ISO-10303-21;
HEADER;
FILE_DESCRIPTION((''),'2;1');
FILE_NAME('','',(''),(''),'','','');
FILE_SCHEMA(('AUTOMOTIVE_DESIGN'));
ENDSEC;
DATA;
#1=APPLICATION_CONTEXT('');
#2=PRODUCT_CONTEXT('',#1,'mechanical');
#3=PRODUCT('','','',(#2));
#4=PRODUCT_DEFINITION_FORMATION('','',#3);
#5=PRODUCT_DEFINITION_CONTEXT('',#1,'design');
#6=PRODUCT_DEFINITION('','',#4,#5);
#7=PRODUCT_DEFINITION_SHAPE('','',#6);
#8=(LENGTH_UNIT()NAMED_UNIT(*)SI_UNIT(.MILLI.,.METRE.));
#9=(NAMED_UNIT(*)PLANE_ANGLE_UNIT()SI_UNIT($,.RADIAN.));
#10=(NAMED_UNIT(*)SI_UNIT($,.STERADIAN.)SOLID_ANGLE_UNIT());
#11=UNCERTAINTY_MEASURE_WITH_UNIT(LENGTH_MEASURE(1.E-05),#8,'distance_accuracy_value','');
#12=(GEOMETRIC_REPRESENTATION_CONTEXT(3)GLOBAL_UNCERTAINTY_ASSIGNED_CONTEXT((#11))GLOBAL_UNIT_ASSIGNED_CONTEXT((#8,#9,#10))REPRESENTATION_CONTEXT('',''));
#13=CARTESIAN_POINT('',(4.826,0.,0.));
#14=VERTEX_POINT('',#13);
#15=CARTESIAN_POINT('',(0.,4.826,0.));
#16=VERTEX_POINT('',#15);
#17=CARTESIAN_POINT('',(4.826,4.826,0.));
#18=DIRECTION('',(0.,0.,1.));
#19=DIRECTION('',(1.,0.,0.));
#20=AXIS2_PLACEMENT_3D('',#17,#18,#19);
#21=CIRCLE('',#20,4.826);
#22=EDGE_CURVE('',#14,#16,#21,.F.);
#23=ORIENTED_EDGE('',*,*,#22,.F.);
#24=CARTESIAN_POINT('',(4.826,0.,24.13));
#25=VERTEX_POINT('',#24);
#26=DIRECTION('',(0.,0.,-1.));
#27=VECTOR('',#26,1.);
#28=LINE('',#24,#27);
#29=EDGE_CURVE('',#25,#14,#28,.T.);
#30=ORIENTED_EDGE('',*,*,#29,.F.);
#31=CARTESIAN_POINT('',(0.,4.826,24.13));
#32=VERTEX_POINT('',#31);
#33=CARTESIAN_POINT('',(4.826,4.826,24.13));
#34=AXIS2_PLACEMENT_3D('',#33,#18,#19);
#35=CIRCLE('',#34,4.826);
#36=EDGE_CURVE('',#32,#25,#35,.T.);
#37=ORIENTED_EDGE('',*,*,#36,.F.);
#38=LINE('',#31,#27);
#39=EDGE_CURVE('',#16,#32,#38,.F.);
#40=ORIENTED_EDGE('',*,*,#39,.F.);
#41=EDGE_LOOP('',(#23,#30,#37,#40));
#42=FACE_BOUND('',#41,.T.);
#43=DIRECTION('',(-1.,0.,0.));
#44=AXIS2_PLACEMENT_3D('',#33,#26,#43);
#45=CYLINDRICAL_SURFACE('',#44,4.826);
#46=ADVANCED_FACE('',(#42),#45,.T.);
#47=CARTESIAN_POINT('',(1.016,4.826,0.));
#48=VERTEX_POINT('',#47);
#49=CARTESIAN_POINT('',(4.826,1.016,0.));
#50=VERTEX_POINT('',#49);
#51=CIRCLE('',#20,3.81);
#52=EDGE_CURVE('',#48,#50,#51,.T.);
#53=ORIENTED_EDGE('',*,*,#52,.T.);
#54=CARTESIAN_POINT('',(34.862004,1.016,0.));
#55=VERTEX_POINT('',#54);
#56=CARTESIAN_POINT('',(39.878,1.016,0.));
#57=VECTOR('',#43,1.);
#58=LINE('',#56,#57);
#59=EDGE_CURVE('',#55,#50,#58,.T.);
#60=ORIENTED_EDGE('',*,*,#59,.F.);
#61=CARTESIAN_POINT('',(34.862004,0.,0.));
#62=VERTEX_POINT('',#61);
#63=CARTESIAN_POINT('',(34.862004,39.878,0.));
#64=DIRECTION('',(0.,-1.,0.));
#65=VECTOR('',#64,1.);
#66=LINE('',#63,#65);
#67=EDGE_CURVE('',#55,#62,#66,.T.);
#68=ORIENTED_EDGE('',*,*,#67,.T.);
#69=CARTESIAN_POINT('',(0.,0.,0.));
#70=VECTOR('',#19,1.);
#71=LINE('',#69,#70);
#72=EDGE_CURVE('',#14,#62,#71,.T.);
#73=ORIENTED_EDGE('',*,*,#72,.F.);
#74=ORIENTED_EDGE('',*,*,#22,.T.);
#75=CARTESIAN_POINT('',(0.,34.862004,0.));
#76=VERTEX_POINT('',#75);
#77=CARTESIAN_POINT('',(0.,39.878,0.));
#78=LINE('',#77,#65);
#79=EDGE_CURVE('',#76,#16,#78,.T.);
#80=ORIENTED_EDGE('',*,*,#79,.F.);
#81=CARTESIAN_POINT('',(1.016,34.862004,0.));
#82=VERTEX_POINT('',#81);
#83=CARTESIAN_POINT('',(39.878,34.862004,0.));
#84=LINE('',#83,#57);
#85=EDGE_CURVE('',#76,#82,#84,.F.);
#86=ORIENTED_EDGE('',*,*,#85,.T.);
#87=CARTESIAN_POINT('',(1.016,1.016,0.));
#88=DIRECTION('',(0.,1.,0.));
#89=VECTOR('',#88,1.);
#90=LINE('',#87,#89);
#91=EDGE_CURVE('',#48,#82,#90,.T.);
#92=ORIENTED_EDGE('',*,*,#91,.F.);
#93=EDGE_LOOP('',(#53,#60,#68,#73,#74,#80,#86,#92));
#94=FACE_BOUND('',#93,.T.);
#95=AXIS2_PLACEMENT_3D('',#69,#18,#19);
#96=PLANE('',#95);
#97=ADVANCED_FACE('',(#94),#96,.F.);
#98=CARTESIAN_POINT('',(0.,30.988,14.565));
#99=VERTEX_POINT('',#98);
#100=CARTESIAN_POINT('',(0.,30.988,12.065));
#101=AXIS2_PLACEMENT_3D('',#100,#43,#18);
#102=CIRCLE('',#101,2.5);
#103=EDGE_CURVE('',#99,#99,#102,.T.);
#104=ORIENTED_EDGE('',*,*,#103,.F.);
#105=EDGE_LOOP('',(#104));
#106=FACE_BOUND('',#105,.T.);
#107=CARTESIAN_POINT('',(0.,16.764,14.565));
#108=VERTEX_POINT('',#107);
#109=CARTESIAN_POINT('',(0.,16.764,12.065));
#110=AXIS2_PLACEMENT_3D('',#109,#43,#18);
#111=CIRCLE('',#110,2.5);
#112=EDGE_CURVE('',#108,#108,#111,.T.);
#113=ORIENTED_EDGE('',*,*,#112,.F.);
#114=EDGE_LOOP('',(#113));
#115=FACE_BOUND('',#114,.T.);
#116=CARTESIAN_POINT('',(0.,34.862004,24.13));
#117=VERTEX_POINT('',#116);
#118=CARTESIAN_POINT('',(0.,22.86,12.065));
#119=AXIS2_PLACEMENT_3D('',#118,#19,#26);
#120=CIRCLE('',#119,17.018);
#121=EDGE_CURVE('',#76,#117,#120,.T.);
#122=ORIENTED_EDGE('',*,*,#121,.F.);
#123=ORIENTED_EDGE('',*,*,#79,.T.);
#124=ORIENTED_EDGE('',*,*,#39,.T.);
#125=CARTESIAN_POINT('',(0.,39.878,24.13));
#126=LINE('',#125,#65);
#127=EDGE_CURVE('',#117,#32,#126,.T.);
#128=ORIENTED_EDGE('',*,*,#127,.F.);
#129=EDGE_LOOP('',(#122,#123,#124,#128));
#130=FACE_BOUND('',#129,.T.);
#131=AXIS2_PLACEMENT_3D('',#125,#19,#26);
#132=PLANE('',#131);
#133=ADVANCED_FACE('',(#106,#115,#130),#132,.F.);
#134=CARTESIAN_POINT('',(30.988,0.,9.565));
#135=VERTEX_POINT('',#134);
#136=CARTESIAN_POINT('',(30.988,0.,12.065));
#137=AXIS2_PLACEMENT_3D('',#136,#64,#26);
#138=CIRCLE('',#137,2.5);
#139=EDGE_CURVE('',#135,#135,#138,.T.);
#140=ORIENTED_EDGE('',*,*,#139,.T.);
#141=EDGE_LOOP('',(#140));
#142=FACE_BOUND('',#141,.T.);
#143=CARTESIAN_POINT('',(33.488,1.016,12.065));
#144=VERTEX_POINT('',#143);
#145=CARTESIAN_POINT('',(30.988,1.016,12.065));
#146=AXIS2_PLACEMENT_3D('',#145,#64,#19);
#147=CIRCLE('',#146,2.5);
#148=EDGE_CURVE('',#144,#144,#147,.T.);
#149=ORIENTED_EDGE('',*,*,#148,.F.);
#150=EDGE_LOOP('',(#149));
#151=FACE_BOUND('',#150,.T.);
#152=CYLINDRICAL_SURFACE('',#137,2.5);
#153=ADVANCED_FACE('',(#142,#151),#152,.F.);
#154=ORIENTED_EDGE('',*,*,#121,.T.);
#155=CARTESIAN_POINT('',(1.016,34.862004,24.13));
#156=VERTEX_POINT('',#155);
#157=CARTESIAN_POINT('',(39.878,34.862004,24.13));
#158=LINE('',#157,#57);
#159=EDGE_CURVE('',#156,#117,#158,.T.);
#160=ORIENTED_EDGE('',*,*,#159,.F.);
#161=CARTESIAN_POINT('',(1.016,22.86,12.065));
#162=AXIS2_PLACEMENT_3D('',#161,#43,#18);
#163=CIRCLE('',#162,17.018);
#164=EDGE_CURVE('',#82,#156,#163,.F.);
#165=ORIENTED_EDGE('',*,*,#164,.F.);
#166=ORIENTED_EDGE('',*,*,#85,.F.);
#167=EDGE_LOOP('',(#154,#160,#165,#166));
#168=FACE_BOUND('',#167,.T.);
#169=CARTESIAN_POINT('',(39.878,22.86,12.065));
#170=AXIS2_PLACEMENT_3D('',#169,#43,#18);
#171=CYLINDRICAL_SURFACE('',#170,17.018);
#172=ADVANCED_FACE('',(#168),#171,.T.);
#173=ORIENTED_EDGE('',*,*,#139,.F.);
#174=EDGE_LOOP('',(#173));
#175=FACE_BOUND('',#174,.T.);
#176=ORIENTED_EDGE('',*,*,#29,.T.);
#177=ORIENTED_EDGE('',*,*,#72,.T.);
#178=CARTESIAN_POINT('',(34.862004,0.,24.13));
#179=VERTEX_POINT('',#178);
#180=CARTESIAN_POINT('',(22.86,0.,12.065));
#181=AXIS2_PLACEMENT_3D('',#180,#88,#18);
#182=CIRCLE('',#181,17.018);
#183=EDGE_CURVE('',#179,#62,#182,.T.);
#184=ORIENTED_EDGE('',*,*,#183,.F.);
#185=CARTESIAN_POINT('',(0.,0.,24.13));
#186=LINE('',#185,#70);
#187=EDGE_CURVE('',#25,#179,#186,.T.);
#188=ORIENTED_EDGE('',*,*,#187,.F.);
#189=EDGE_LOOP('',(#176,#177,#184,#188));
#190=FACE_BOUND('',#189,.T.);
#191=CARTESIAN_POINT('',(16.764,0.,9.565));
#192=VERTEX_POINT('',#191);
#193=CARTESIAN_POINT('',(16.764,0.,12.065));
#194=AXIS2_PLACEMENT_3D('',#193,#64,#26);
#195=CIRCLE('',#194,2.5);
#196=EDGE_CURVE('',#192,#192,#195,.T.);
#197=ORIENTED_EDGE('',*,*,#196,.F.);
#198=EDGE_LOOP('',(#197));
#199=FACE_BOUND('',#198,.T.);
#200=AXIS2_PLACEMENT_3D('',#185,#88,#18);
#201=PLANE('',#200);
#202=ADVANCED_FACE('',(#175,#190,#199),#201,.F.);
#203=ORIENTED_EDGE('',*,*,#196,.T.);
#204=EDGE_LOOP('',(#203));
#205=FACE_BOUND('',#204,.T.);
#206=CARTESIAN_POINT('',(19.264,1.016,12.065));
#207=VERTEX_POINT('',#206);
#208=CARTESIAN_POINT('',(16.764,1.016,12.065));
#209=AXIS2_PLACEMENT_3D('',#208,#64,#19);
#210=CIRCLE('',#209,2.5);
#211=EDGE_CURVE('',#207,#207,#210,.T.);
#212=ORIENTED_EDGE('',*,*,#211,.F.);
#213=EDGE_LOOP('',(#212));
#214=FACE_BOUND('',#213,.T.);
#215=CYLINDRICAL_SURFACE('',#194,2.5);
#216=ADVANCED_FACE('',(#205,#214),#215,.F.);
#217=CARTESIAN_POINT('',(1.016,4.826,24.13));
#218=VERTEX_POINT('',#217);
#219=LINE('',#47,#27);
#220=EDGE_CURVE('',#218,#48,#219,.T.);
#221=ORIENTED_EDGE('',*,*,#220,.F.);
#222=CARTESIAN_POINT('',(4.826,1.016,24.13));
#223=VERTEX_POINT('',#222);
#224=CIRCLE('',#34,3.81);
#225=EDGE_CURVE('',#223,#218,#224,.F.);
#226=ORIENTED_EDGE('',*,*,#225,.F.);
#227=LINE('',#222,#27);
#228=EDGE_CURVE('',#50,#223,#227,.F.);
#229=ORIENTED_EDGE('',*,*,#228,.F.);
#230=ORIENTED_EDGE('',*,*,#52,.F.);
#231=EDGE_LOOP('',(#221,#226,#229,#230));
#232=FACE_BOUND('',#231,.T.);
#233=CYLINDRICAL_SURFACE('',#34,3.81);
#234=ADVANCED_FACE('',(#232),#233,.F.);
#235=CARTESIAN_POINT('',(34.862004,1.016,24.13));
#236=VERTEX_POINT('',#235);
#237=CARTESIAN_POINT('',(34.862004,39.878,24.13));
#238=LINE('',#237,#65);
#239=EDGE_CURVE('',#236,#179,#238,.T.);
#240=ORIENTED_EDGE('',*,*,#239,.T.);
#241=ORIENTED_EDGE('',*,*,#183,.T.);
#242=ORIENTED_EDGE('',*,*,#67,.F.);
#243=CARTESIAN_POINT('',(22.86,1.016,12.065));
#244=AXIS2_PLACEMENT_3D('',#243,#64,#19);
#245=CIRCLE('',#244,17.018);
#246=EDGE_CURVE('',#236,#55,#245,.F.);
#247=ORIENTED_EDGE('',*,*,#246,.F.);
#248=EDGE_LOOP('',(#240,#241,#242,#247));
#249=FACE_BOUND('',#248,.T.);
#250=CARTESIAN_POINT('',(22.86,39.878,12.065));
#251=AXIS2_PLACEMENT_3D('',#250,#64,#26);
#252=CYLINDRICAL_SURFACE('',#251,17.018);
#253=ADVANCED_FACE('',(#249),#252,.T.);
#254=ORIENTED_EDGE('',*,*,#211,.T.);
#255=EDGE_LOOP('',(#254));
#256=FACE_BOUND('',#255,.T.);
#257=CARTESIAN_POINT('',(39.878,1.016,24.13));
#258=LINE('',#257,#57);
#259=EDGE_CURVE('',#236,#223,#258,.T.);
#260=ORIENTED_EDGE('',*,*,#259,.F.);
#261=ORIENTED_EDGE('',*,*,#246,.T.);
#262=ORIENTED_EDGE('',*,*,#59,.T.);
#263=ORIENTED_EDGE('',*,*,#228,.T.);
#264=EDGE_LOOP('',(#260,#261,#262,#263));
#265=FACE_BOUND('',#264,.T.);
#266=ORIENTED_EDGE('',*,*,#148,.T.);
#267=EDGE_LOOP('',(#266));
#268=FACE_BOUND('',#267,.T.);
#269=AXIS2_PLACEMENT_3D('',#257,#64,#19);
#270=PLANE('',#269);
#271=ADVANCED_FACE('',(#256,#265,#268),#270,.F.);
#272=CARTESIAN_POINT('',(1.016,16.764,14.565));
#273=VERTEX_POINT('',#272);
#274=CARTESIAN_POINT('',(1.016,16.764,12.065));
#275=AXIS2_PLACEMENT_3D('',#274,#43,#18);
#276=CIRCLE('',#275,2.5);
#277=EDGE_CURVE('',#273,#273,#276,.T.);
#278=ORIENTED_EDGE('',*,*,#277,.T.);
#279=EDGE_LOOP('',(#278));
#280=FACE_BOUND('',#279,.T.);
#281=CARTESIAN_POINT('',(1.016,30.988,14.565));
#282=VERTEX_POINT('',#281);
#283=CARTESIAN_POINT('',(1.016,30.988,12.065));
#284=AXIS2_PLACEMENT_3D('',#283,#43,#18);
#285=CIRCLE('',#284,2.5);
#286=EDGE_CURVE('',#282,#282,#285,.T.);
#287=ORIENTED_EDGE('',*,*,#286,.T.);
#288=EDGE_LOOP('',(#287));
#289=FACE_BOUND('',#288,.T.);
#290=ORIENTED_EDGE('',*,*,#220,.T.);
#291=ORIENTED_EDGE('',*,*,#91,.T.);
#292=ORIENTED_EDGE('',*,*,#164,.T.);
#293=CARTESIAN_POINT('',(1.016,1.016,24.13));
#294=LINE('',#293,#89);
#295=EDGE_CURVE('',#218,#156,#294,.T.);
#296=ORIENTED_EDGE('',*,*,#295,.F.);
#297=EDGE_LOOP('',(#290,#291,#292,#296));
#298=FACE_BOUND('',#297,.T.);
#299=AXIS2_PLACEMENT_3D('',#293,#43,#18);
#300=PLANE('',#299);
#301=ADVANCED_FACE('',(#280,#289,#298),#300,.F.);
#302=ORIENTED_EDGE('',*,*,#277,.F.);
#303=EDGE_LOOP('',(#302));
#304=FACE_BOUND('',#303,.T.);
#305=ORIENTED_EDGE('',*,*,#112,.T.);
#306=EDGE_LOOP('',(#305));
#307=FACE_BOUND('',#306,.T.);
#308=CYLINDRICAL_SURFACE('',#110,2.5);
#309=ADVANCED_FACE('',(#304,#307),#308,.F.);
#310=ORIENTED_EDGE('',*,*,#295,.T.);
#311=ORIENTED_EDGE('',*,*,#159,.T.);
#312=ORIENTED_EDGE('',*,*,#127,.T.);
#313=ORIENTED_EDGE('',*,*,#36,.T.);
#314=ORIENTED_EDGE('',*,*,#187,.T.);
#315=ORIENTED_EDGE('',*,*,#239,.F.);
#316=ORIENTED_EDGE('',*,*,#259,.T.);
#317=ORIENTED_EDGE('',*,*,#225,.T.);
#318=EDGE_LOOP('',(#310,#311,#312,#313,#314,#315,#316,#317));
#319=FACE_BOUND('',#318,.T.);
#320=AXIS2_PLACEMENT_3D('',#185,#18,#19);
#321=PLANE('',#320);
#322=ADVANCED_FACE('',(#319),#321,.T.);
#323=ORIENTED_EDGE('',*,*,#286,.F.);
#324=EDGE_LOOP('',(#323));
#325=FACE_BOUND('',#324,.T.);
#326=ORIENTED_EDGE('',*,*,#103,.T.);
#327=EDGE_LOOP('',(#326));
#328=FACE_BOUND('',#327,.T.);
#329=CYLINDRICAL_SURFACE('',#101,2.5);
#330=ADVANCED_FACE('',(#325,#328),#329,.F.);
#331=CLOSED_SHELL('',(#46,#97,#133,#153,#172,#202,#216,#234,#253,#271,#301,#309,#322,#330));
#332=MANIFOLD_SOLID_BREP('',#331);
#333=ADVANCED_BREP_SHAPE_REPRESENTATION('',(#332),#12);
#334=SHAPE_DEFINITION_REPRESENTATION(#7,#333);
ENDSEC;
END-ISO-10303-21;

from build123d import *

# Parameters (mm, degrees)
BOSS_EXTRUDE1_DEPTH   = 24.13
FILLET1_R             = 3.81
FILLET2_R             = 4.826
F_5_0MM_DOWEL_HOLE1_D = 5
F_5_0MM_DOWEL_HOLE2_D = 5
CUT_EXTRUDE1_DEPTH    = 40.878
CUT_EXTRUDE2_DEPTH    = 40.878


with BuildPart() as part:
    # Sketch1 → Boss-Extrude1 (new body)
    with BuildSketch(Plane.XY):
        Polygon((0, 39.878), (0, 0), (39.878, 0), (39.878, 1.016), (1.016, 1.016), (1.016, 39.878), align=None)
    extrude(amount=BOSS_EXTRUDE1_DEPTH)

    # Fillet1
    fillet1_edges = [part.edges().sort_by_distance(p)[0] for p in [
        (1.016, 1.016, 12.065),
    ]]
    fillet(fillet1_edges, radius=FILLET1_R)

    # Fillet2
    fillet2_edges = [part.edges().sort_by_distance(p)[0] for p in [
        (0, 0, 12.065),
    ]]
    fillet(fillet2_edges, radius=FILLET2_R)

    # Ø5.0mm Dowel Hole1 (through all)
    with Locations(Plane.ZY):
        with Locations((12.065, 30.988), (12.065, 16.764)):
            Hole(F_5_0MM_DOWEL_HOLE1_D / 2)

    # Ø5.0mm Dowel Hole2 (through all)
    with Locations(Plane(origin=(0, 0, 0), x_dir=(-1, 0, 0), z_dir=(0, -1, 0))):
        with Locations((-30.988, -12.065), (-16.764, -12.065)):
            Hole(F_5_0MM_DOWEL_HOLE2_D / 2)

    # Sketch6 → Cut-Extrude1 (cut, through all)
    with BuildSketch(Plane.XZ):
        with BuildLine():
            Line((34.862003958, 24.13), (44.45, 24.13))
            Line((44.45, 24.13), (44.45, 0))
            Line((44.45, 0), (34.862003958, 0))
            ThreePointArc((34.862003958, 0), (39.878, 12.065), (34.862003958, 24.13))
        make_face()
    extrude(amount=-CUT_EXTRUDE1_DEPTH, mode=Mode.SUBTRACT)

    # Sketch7 → Cut-Extrude2 (cut, through all)
    with BuildSketch(Plane.ZY):
        with BuildLine():
            Line((0, 34.862003958), (0, 44.45))
            Line((0, 44.45), (24.13, 44.45))
            Line((24.13, 44.45), (24.13, 34.862003958))
            ThreePointArc((24.13, 34.862003958), (12.065, 39.878), (0, 34.862003958))
        make_face()
    extrude(amount=-CUT_EXTRUDE2_DEPTH, mode=Mode.SUBTRACT)


solid = part.part
